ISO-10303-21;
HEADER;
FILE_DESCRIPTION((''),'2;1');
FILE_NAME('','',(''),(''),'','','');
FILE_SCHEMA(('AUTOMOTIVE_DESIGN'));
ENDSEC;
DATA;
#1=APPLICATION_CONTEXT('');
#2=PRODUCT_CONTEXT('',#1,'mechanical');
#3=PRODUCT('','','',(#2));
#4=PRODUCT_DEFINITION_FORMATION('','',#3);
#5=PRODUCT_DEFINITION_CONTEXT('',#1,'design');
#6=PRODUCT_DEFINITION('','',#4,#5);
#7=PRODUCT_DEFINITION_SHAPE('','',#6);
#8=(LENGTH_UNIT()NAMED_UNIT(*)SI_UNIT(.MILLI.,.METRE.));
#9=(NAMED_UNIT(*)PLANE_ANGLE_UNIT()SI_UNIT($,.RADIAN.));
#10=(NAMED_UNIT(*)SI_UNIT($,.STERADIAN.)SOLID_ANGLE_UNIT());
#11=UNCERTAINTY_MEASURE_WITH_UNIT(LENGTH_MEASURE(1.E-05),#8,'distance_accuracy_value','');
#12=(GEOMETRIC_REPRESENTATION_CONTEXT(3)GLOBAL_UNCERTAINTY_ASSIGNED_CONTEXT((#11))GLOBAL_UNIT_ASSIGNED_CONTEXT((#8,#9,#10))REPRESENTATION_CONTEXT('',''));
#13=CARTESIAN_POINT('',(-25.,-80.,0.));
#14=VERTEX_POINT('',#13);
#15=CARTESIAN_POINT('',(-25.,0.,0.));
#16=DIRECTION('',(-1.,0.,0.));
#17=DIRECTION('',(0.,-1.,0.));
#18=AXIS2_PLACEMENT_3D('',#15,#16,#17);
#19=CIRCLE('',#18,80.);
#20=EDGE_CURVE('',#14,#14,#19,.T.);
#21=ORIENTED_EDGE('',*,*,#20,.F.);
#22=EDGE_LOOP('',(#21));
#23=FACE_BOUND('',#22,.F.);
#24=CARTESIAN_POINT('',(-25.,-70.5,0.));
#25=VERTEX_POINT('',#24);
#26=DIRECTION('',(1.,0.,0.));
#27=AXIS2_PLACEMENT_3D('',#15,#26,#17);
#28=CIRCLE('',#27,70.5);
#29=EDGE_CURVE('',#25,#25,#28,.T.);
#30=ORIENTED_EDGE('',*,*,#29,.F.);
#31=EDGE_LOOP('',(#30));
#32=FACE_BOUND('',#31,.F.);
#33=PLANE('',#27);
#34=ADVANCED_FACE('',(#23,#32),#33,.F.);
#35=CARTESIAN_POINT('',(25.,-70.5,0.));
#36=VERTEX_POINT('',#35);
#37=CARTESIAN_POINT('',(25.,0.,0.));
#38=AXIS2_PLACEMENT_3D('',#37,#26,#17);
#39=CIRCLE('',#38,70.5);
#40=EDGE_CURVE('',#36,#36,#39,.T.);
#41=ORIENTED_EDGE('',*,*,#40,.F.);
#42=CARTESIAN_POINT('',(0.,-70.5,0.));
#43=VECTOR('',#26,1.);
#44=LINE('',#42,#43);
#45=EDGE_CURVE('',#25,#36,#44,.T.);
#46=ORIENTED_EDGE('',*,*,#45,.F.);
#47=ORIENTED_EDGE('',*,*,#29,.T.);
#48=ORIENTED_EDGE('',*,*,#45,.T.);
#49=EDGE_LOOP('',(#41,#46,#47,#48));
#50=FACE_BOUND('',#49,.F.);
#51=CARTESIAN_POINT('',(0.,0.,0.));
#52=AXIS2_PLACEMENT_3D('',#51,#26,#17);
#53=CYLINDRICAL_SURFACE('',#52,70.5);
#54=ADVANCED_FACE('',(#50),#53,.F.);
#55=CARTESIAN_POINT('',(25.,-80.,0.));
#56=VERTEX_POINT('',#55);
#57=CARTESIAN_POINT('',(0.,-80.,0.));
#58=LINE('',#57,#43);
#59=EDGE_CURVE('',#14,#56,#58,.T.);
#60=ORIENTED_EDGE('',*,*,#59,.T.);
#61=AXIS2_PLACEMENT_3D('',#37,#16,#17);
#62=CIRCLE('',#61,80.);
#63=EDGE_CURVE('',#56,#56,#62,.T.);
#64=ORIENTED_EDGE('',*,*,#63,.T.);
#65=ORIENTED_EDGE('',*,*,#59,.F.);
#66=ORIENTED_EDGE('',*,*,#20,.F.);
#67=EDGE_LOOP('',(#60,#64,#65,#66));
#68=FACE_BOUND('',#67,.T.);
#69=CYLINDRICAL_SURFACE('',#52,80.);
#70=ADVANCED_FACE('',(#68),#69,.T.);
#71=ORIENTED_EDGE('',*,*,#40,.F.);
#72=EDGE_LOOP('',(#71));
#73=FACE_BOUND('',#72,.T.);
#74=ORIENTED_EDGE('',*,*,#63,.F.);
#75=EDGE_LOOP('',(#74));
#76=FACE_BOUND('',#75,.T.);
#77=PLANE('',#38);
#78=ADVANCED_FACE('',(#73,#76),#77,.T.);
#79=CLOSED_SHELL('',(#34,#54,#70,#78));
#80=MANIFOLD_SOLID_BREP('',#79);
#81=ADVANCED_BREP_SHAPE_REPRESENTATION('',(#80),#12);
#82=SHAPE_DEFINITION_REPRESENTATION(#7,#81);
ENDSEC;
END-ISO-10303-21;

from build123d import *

# Parameters (mm, degrees)
F0_W          = 50
F0_H          = 9.5
F1_ANGLE_BACK = 90
F1_ANGLE      = 180


with BuildPart() as f1:
    # F0 (on Front) → F1 (revolve)
    with BuildSketch(Plane.XZ, mode=Mode.PRIVATE) as f1_sk:
        with Locations((0, 75.25)):
            Rectangle(F0_W, F0_H)
        with Locations((0, -75.25)):
            Rectangle(F0_W, F0_H)
    revolve(f1_sk.sketch.rotate(Axis((100, 0, 0), (1, 0, 0)), -F1_ANGLE_BACK), axis=Axis((100, 0, 0), (1, 0, 0)), revolution_arc=F1_ANGLE)


solid = f1.part
